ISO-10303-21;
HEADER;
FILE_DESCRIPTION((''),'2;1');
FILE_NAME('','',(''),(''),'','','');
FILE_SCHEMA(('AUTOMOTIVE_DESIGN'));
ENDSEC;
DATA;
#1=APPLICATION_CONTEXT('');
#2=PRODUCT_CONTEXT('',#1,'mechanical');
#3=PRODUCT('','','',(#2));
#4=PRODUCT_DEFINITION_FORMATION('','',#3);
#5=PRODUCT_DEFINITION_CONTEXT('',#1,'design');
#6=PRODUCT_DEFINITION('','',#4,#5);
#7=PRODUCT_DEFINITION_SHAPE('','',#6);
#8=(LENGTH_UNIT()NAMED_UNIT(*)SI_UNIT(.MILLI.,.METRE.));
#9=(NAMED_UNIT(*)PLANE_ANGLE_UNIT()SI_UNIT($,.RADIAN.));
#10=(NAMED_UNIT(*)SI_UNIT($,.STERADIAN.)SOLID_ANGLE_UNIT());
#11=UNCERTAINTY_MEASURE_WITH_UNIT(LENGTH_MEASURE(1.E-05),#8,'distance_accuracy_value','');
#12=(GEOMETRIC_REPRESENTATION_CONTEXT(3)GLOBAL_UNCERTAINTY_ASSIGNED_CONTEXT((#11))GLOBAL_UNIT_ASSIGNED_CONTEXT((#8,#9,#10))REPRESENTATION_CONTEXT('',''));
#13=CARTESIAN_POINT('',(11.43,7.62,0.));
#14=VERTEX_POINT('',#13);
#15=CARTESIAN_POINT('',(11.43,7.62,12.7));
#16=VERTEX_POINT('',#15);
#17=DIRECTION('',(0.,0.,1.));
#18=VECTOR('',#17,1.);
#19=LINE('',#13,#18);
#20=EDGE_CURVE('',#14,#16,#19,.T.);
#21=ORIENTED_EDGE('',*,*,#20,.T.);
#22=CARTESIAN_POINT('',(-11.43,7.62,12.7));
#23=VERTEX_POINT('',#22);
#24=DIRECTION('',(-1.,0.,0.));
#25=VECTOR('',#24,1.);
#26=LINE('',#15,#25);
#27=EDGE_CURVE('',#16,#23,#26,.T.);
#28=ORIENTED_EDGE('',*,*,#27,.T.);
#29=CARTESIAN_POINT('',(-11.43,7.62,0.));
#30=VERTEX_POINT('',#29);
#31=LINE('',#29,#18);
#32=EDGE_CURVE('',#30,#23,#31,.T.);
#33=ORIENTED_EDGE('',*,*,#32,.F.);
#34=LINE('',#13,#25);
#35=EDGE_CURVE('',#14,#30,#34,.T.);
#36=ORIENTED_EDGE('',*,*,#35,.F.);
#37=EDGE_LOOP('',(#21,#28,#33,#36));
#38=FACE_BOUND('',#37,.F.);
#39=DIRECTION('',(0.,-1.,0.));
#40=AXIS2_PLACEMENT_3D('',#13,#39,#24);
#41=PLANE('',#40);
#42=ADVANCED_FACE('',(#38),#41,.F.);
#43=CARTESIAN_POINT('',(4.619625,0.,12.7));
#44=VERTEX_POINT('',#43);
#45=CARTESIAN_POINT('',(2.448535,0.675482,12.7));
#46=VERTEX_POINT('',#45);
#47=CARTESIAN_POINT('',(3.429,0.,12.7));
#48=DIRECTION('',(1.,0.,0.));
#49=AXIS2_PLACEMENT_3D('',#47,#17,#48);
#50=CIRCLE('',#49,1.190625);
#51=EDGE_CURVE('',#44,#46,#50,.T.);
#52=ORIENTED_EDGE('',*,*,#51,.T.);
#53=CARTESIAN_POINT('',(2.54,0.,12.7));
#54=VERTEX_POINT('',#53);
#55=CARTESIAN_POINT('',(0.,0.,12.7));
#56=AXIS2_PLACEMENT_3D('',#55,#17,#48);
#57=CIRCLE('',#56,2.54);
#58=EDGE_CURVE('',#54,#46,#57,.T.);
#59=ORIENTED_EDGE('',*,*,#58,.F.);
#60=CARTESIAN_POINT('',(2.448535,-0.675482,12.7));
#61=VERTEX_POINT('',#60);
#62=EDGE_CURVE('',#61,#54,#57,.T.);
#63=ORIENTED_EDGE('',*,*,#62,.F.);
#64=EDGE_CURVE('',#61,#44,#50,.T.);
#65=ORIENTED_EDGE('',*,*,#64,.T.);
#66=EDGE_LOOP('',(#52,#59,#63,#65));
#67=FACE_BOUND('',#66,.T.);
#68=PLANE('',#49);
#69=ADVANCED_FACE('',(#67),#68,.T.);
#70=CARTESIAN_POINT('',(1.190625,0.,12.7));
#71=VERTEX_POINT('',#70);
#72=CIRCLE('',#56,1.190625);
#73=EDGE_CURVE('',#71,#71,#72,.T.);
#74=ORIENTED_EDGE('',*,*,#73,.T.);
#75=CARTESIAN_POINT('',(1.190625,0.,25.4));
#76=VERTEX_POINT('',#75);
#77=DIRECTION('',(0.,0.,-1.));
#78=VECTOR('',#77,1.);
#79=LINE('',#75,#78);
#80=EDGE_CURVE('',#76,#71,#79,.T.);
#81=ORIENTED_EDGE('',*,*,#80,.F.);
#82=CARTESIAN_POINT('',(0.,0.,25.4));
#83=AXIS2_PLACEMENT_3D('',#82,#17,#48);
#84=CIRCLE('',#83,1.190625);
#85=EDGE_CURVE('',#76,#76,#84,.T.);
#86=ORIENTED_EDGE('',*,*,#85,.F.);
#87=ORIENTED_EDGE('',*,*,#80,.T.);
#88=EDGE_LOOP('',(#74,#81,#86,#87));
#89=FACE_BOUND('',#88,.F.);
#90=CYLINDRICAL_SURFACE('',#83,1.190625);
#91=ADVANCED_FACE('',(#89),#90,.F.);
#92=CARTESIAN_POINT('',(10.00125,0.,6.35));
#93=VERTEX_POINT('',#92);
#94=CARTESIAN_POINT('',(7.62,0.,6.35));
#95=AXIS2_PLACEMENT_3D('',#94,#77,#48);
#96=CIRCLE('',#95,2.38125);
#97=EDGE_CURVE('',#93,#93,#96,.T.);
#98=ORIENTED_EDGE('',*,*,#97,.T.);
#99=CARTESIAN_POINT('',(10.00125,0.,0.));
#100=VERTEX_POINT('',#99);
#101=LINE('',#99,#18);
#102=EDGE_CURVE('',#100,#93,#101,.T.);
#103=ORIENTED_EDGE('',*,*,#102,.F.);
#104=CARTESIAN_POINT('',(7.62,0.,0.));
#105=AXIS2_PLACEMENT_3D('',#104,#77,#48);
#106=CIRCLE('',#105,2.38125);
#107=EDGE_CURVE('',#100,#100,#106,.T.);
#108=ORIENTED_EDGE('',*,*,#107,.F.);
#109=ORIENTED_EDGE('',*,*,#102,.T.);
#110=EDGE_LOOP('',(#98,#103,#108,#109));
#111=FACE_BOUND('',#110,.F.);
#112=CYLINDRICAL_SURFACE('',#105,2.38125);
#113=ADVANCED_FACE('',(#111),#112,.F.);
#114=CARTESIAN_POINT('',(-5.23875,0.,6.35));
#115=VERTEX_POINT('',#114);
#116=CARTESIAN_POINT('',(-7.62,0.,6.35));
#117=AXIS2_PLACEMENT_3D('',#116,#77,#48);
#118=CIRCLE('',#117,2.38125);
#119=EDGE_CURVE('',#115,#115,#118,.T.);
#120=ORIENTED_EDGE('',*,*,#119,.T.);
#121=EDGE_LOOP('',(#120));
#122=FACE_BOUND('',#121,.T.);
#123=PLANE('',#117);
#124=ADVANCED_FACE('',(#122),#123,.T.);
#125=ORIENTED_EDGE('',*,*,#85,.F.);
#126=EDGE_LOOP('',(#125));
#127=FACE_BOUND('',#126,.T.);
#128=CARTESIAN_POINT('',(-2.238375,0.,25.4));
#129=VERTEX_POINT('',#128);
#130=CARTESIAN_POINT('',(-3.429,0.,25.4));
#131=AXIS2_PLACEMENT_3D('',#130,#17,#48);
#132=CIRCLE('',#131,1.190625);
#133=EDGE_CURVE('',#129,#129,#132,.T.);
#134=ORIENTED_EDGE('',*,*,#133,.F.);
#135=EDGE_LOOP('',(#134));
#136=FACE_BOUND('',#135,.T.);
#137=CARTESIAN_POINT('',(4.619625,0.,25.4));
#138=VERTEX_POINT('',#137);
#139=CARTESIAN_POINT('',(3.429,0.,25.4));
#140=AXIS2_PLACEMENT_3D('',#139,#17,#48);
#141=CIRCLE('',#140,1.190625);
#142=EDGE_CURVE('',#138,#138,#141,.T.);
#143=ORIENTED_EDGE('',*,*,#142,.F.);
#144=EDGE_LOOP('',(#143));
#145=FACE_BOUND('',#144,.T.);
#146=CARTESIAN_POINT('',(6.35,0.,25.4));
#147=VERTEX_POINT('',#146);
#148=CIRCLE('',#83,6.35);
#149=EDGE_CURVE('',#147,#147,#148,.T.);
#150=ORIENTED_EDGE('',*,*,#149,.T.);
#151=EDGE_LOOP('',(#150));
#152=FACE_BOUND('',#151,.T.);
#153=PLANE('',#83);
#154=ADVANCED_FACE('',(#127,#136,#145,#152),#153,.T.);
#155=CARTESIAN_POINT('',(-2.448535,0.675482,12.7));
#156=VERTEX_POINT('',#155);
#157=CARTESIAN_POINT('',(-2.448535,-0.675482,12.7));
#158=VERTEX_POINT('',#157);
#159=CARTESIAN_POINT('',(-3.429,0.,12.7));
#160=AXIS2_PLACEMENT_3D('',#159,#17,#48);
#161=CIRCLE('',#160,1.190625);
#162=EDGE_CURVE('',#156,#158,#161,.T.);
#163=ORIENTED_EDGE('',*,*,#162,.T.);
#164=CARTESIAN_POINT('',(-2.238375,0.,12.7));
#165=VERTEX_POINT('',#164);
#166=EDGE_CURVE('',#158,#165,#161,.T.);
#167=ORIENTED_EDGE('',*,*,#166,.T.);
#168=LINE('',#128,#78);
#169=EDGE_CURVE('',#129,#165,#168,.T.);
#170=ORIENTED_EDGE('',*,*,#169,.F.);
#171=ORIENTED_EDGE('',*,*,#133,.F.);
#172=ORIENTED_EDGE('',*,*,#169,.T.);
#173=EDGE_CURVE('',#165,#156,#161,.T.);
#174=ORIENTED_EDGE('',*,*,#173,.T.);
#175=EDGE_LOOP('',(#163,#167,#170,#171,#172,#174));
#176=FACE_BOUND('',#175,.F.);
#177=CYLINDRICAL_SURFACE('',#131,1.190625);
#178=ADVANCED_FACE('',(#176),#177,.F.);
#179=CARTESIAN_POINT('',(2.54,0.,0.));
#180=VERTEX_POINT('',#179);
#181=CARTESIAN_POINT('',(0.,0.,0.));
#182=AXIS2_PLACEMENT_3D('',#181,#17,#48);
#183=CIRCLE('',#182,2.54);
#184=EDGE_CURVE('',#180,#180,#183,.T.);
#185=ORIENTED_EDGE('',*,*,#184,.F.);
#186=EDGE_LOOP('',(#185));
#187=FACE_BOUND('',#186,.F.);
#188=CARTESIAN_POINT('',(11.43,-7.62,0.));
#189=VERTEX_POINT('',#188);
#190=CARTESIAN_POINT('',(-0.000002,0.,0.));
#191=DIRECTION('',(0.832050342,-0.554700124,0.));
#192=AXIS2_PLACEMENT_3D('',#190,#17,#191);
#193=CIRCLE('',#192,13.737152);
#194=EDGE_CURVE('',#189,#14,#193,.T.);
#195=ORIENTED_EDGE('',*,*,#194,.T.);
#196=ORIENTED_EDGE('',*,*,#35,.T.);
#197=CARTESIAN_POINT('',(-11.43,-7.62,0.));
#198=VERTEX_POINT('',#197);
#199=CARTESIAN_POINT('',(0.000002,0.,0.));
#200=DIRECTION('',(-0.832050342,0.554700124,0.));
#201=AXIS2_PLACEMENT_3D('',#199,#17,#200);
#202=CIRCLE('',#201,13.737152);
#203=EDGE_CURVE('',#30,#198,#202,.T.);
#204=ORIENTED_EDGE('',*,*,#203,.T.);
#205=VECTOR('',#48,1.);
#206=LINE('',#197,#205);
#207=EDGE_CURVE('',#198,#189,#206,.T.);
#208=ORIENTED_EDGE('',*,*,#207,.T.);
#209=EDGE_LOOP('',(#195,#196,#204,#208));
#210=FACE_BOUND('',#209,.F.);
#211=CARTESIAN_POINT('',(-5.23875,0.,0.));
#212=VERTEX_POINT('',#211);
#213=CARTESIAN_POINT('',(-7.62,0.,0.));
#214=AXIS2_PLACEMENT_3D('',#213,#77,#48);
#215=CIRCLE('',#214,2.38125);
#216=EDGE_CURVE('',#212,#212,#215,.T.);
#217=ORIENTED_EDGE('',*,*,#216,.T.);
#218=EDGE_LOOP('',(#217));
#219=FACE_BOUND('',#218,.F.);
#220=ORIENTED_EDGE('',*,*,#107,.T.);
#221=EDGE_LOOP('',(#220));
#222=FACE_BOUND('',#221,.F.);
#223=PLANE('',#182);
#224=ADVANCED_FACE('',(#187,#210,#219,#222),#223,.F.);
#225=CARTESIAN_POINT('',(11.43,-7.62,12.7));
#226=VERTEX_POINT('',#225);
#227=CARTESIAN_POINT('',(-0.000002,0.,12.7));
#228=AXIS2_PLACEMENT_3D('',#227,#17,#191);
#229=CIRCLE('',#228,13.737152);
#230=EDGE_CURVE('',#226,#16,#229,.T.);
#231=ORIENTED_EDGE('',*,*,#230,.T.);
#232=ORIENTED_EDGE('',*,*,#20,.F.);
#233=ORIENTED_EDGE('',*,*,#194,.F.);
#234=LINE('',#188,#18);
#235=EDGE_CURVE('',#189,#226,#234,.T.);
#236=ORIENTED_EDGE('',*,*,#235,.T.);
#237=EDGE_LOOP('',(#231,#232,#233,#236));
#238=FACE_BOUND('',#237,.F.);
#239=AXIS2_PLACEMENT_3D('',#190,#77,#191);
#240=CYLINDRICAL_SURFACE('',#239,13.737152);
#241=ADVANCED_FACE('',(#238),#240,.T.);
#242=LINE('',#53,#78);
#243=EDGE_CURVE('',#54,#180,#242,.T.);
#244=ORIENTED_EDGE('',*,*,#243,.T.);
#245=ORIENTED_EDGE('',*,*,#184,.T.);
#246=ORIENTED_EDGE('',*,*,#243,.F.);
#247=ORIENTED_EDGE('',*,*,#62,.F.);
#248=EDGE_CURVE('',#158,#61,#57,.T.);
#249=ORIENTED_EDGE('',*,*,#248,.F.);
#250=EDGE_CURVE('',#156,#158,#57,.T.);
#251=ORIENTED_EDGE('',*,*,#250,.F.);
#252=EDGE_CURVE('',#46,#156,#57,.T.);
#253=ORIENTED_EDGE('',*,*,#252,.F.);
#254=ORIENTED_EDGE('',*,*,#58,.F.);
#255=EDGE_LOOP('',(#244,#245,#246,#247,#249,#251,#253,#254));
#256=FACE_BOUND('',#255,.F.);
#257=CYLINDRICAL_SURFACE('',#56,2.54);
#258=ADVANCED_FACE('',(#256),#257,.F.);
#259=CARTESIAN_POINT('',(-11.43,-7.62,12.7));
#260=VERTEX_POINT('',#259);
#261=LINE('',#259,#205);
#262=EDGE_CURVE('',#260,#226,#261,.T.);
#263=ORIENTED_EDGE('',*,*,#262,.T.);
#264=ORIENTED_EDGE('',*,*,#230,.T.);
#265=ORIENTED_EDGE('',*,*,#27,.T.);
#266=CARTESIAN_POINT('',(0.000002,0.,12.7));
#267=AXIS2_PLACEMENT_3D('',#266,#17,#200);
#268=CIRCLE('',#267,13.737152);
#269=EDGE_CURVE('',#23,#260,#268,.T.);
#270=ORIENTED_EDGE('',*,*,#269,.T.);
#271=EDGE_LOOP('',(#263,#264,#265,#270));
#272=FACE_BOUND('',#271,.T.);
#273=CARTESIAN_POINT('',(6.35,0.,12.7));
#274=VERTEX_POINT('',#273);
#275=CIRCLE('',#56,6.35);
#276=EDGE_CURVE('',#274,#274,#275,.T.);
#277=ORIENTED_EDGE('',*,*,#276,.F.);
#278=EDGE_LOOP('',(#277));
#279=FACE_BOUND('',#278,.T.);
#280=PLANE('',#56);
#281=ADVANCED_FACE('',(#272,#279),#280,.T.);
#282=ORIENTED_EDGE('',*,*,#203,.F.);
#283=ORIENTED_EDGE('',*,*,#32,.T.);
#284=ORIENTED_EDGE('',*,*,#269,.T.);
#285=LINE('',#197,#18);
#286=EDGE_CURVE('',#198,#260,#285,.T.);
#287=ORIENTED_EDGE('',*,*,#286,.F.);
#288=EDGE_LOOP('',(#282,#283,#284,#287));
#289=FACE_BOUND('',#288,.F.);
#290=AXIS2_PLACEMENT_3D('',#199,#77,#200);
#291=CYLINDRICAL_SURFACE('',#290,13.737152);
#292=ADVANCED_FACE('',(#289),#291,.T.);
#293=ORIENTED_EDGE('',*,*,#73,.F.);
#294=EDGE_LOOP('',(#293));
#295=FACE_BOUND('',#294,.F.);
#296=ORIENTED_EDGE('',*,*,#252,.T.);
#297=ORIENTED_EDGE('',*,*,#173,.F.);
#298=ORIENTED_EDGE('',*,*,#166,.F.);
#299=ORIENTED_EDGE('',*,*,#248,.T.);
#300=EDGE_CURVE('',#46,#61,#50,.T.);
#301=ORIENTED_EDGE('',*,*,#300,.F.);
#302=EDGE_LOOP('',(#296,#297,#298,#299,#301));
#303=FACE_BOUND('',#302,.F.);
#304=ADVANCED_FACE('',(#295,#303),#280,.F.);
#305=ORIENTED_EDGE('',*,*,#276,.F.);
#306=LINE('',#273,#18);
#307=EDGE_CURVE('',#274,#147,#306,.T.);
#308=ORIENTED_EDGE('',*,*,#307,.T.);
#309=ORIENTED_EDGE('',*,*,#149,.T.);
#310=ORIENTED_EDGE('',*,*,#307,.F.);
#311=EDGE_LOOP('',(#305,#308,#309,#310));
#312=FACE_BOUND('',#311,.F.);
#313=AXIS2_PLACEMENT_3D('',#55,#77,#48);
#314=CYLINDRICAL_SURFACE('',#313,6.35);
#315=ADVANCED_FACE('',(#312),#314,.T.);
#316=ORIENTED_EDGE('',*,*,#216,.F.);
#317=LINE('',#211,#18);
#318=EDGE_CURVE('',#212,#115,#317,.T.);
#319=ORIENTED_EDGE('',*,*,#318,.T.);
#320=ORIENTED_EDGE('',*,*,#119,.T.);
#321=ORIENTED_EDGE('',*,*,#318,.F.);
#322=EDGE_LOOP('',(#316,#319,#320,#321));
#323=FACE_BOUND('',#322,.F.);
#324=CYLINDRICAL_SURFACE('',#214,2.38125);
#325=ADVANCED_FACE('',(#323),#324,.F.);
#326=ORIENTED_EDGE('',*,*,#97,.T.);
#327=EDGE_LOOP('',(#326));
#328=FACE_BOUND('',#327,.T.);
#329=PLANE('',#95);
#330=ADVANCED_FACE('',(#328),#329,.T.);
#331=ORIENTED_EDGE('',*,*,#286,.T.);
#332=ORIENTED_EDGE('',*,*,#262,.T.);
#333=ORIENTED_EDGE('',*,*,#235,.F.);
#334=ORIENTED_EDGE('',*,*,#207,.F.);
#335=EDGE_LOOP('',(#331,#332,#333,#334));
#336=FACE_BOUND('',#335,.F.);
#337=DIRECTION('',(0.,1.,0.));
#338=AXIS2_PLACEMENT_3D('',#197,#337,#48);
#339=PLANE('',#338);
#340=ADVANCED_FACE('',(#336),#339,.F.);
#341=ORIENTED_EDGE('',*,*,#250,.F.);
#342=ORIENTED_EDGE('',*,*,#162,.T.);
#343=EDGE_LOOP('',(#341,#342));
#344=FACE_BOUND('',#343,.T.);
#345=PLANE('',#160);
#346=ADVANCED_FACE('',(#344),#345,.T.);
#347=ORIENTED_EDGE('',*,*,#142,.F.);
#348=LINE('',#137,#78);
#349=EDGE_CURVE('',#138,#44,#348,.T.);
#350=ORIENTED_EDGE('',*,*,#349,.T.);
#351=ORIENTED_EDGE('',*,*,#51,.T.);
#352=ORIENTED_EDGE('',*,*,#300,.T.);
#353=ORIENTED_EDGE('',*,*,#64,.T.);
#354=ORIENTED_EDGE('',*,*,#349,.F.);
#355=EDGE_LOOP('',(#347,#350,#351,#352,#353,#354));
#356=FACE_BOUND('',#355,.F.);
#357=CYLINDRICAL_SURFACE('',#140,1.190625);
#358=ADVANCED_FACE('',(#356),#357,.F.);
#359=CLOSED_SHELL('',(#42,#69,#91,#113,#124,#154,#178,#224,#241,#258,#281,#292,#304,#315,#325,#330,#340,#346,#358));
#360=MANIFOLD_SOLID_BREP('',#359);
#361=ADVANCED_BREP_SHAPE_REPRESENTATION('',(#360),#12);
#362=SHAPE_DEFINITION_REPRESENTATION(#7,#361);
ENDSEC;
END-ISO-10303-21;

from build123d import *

# Parameters (mm, degrees)
F1_DEPTH = 12.7
F2_R     = 2.54
F3_DEPTH = 12.701
F4_R     = 6.35
F5_DEPTH = 12.7
F6_R     = 2.38125
F7_DEPTH = 6.35
F8_R     = 1.190625
F9_DEPTH = 12.7


with BuildPart() as f1:
    # F0 (on Top) → F1 (new body)
    with BuildSketch(Plane.XY):
        with BuildLine():
            Line((-11.43, -7.62), (11.43, -7.62))
            ThreePointArc((11.43, -7.62), (13.73715, 0), (11.43, 7.62))
            Line((11.43, 7.62), (-11.43, 7.62))
            ThreePointArc((-11.43, 7.62), (-13.73715, 0), (-11.43, -7.62))
        make_face()
    extrude(amount=F1_DEPTH)

    # F2 (on face) → F3 (cut, through all)
    with BuildSketch(Plane.XY.offset(12.7)):
        Circle(F2_R)
    extrude(amount=-F3_DEPTH, mode=Mode.SUBTRACT)

    # F4 (on face) → F5 (join)
    with BuildSketch(Plane.XY.offset(12.7)):
        Circle(F4_R)
    extrude(amount=F5_DEPTH)

    # F6 (on face) → F7 (cut)
    with BuildSketch(Plane(origin=(0, 0, 0), x_dir=(1, 0, 0), z_dir=(0, 0, -1))):
        with Locations((-7.62, 0)):
            Circle(F6_R)
        with Locations((7.62, 0)):
            Circle(F6_R)
    extrude(amount=-F7_DEPTH, mode=Mode.SUBTRACT)

    # F8 (on face) → F9 (cut)
    with BuildSketch(Plane.XY.offset(25.4)):
        with Locations((-3.429, 0)):
            Circle(F8_R)
        with Locations((3.429, 0)):
            Circle(F8_R)
        Circle(F8_R)
    extrude(amount=-F9_DEPTH, mode=Mode.SUBTRACT)


solid = f1.part
